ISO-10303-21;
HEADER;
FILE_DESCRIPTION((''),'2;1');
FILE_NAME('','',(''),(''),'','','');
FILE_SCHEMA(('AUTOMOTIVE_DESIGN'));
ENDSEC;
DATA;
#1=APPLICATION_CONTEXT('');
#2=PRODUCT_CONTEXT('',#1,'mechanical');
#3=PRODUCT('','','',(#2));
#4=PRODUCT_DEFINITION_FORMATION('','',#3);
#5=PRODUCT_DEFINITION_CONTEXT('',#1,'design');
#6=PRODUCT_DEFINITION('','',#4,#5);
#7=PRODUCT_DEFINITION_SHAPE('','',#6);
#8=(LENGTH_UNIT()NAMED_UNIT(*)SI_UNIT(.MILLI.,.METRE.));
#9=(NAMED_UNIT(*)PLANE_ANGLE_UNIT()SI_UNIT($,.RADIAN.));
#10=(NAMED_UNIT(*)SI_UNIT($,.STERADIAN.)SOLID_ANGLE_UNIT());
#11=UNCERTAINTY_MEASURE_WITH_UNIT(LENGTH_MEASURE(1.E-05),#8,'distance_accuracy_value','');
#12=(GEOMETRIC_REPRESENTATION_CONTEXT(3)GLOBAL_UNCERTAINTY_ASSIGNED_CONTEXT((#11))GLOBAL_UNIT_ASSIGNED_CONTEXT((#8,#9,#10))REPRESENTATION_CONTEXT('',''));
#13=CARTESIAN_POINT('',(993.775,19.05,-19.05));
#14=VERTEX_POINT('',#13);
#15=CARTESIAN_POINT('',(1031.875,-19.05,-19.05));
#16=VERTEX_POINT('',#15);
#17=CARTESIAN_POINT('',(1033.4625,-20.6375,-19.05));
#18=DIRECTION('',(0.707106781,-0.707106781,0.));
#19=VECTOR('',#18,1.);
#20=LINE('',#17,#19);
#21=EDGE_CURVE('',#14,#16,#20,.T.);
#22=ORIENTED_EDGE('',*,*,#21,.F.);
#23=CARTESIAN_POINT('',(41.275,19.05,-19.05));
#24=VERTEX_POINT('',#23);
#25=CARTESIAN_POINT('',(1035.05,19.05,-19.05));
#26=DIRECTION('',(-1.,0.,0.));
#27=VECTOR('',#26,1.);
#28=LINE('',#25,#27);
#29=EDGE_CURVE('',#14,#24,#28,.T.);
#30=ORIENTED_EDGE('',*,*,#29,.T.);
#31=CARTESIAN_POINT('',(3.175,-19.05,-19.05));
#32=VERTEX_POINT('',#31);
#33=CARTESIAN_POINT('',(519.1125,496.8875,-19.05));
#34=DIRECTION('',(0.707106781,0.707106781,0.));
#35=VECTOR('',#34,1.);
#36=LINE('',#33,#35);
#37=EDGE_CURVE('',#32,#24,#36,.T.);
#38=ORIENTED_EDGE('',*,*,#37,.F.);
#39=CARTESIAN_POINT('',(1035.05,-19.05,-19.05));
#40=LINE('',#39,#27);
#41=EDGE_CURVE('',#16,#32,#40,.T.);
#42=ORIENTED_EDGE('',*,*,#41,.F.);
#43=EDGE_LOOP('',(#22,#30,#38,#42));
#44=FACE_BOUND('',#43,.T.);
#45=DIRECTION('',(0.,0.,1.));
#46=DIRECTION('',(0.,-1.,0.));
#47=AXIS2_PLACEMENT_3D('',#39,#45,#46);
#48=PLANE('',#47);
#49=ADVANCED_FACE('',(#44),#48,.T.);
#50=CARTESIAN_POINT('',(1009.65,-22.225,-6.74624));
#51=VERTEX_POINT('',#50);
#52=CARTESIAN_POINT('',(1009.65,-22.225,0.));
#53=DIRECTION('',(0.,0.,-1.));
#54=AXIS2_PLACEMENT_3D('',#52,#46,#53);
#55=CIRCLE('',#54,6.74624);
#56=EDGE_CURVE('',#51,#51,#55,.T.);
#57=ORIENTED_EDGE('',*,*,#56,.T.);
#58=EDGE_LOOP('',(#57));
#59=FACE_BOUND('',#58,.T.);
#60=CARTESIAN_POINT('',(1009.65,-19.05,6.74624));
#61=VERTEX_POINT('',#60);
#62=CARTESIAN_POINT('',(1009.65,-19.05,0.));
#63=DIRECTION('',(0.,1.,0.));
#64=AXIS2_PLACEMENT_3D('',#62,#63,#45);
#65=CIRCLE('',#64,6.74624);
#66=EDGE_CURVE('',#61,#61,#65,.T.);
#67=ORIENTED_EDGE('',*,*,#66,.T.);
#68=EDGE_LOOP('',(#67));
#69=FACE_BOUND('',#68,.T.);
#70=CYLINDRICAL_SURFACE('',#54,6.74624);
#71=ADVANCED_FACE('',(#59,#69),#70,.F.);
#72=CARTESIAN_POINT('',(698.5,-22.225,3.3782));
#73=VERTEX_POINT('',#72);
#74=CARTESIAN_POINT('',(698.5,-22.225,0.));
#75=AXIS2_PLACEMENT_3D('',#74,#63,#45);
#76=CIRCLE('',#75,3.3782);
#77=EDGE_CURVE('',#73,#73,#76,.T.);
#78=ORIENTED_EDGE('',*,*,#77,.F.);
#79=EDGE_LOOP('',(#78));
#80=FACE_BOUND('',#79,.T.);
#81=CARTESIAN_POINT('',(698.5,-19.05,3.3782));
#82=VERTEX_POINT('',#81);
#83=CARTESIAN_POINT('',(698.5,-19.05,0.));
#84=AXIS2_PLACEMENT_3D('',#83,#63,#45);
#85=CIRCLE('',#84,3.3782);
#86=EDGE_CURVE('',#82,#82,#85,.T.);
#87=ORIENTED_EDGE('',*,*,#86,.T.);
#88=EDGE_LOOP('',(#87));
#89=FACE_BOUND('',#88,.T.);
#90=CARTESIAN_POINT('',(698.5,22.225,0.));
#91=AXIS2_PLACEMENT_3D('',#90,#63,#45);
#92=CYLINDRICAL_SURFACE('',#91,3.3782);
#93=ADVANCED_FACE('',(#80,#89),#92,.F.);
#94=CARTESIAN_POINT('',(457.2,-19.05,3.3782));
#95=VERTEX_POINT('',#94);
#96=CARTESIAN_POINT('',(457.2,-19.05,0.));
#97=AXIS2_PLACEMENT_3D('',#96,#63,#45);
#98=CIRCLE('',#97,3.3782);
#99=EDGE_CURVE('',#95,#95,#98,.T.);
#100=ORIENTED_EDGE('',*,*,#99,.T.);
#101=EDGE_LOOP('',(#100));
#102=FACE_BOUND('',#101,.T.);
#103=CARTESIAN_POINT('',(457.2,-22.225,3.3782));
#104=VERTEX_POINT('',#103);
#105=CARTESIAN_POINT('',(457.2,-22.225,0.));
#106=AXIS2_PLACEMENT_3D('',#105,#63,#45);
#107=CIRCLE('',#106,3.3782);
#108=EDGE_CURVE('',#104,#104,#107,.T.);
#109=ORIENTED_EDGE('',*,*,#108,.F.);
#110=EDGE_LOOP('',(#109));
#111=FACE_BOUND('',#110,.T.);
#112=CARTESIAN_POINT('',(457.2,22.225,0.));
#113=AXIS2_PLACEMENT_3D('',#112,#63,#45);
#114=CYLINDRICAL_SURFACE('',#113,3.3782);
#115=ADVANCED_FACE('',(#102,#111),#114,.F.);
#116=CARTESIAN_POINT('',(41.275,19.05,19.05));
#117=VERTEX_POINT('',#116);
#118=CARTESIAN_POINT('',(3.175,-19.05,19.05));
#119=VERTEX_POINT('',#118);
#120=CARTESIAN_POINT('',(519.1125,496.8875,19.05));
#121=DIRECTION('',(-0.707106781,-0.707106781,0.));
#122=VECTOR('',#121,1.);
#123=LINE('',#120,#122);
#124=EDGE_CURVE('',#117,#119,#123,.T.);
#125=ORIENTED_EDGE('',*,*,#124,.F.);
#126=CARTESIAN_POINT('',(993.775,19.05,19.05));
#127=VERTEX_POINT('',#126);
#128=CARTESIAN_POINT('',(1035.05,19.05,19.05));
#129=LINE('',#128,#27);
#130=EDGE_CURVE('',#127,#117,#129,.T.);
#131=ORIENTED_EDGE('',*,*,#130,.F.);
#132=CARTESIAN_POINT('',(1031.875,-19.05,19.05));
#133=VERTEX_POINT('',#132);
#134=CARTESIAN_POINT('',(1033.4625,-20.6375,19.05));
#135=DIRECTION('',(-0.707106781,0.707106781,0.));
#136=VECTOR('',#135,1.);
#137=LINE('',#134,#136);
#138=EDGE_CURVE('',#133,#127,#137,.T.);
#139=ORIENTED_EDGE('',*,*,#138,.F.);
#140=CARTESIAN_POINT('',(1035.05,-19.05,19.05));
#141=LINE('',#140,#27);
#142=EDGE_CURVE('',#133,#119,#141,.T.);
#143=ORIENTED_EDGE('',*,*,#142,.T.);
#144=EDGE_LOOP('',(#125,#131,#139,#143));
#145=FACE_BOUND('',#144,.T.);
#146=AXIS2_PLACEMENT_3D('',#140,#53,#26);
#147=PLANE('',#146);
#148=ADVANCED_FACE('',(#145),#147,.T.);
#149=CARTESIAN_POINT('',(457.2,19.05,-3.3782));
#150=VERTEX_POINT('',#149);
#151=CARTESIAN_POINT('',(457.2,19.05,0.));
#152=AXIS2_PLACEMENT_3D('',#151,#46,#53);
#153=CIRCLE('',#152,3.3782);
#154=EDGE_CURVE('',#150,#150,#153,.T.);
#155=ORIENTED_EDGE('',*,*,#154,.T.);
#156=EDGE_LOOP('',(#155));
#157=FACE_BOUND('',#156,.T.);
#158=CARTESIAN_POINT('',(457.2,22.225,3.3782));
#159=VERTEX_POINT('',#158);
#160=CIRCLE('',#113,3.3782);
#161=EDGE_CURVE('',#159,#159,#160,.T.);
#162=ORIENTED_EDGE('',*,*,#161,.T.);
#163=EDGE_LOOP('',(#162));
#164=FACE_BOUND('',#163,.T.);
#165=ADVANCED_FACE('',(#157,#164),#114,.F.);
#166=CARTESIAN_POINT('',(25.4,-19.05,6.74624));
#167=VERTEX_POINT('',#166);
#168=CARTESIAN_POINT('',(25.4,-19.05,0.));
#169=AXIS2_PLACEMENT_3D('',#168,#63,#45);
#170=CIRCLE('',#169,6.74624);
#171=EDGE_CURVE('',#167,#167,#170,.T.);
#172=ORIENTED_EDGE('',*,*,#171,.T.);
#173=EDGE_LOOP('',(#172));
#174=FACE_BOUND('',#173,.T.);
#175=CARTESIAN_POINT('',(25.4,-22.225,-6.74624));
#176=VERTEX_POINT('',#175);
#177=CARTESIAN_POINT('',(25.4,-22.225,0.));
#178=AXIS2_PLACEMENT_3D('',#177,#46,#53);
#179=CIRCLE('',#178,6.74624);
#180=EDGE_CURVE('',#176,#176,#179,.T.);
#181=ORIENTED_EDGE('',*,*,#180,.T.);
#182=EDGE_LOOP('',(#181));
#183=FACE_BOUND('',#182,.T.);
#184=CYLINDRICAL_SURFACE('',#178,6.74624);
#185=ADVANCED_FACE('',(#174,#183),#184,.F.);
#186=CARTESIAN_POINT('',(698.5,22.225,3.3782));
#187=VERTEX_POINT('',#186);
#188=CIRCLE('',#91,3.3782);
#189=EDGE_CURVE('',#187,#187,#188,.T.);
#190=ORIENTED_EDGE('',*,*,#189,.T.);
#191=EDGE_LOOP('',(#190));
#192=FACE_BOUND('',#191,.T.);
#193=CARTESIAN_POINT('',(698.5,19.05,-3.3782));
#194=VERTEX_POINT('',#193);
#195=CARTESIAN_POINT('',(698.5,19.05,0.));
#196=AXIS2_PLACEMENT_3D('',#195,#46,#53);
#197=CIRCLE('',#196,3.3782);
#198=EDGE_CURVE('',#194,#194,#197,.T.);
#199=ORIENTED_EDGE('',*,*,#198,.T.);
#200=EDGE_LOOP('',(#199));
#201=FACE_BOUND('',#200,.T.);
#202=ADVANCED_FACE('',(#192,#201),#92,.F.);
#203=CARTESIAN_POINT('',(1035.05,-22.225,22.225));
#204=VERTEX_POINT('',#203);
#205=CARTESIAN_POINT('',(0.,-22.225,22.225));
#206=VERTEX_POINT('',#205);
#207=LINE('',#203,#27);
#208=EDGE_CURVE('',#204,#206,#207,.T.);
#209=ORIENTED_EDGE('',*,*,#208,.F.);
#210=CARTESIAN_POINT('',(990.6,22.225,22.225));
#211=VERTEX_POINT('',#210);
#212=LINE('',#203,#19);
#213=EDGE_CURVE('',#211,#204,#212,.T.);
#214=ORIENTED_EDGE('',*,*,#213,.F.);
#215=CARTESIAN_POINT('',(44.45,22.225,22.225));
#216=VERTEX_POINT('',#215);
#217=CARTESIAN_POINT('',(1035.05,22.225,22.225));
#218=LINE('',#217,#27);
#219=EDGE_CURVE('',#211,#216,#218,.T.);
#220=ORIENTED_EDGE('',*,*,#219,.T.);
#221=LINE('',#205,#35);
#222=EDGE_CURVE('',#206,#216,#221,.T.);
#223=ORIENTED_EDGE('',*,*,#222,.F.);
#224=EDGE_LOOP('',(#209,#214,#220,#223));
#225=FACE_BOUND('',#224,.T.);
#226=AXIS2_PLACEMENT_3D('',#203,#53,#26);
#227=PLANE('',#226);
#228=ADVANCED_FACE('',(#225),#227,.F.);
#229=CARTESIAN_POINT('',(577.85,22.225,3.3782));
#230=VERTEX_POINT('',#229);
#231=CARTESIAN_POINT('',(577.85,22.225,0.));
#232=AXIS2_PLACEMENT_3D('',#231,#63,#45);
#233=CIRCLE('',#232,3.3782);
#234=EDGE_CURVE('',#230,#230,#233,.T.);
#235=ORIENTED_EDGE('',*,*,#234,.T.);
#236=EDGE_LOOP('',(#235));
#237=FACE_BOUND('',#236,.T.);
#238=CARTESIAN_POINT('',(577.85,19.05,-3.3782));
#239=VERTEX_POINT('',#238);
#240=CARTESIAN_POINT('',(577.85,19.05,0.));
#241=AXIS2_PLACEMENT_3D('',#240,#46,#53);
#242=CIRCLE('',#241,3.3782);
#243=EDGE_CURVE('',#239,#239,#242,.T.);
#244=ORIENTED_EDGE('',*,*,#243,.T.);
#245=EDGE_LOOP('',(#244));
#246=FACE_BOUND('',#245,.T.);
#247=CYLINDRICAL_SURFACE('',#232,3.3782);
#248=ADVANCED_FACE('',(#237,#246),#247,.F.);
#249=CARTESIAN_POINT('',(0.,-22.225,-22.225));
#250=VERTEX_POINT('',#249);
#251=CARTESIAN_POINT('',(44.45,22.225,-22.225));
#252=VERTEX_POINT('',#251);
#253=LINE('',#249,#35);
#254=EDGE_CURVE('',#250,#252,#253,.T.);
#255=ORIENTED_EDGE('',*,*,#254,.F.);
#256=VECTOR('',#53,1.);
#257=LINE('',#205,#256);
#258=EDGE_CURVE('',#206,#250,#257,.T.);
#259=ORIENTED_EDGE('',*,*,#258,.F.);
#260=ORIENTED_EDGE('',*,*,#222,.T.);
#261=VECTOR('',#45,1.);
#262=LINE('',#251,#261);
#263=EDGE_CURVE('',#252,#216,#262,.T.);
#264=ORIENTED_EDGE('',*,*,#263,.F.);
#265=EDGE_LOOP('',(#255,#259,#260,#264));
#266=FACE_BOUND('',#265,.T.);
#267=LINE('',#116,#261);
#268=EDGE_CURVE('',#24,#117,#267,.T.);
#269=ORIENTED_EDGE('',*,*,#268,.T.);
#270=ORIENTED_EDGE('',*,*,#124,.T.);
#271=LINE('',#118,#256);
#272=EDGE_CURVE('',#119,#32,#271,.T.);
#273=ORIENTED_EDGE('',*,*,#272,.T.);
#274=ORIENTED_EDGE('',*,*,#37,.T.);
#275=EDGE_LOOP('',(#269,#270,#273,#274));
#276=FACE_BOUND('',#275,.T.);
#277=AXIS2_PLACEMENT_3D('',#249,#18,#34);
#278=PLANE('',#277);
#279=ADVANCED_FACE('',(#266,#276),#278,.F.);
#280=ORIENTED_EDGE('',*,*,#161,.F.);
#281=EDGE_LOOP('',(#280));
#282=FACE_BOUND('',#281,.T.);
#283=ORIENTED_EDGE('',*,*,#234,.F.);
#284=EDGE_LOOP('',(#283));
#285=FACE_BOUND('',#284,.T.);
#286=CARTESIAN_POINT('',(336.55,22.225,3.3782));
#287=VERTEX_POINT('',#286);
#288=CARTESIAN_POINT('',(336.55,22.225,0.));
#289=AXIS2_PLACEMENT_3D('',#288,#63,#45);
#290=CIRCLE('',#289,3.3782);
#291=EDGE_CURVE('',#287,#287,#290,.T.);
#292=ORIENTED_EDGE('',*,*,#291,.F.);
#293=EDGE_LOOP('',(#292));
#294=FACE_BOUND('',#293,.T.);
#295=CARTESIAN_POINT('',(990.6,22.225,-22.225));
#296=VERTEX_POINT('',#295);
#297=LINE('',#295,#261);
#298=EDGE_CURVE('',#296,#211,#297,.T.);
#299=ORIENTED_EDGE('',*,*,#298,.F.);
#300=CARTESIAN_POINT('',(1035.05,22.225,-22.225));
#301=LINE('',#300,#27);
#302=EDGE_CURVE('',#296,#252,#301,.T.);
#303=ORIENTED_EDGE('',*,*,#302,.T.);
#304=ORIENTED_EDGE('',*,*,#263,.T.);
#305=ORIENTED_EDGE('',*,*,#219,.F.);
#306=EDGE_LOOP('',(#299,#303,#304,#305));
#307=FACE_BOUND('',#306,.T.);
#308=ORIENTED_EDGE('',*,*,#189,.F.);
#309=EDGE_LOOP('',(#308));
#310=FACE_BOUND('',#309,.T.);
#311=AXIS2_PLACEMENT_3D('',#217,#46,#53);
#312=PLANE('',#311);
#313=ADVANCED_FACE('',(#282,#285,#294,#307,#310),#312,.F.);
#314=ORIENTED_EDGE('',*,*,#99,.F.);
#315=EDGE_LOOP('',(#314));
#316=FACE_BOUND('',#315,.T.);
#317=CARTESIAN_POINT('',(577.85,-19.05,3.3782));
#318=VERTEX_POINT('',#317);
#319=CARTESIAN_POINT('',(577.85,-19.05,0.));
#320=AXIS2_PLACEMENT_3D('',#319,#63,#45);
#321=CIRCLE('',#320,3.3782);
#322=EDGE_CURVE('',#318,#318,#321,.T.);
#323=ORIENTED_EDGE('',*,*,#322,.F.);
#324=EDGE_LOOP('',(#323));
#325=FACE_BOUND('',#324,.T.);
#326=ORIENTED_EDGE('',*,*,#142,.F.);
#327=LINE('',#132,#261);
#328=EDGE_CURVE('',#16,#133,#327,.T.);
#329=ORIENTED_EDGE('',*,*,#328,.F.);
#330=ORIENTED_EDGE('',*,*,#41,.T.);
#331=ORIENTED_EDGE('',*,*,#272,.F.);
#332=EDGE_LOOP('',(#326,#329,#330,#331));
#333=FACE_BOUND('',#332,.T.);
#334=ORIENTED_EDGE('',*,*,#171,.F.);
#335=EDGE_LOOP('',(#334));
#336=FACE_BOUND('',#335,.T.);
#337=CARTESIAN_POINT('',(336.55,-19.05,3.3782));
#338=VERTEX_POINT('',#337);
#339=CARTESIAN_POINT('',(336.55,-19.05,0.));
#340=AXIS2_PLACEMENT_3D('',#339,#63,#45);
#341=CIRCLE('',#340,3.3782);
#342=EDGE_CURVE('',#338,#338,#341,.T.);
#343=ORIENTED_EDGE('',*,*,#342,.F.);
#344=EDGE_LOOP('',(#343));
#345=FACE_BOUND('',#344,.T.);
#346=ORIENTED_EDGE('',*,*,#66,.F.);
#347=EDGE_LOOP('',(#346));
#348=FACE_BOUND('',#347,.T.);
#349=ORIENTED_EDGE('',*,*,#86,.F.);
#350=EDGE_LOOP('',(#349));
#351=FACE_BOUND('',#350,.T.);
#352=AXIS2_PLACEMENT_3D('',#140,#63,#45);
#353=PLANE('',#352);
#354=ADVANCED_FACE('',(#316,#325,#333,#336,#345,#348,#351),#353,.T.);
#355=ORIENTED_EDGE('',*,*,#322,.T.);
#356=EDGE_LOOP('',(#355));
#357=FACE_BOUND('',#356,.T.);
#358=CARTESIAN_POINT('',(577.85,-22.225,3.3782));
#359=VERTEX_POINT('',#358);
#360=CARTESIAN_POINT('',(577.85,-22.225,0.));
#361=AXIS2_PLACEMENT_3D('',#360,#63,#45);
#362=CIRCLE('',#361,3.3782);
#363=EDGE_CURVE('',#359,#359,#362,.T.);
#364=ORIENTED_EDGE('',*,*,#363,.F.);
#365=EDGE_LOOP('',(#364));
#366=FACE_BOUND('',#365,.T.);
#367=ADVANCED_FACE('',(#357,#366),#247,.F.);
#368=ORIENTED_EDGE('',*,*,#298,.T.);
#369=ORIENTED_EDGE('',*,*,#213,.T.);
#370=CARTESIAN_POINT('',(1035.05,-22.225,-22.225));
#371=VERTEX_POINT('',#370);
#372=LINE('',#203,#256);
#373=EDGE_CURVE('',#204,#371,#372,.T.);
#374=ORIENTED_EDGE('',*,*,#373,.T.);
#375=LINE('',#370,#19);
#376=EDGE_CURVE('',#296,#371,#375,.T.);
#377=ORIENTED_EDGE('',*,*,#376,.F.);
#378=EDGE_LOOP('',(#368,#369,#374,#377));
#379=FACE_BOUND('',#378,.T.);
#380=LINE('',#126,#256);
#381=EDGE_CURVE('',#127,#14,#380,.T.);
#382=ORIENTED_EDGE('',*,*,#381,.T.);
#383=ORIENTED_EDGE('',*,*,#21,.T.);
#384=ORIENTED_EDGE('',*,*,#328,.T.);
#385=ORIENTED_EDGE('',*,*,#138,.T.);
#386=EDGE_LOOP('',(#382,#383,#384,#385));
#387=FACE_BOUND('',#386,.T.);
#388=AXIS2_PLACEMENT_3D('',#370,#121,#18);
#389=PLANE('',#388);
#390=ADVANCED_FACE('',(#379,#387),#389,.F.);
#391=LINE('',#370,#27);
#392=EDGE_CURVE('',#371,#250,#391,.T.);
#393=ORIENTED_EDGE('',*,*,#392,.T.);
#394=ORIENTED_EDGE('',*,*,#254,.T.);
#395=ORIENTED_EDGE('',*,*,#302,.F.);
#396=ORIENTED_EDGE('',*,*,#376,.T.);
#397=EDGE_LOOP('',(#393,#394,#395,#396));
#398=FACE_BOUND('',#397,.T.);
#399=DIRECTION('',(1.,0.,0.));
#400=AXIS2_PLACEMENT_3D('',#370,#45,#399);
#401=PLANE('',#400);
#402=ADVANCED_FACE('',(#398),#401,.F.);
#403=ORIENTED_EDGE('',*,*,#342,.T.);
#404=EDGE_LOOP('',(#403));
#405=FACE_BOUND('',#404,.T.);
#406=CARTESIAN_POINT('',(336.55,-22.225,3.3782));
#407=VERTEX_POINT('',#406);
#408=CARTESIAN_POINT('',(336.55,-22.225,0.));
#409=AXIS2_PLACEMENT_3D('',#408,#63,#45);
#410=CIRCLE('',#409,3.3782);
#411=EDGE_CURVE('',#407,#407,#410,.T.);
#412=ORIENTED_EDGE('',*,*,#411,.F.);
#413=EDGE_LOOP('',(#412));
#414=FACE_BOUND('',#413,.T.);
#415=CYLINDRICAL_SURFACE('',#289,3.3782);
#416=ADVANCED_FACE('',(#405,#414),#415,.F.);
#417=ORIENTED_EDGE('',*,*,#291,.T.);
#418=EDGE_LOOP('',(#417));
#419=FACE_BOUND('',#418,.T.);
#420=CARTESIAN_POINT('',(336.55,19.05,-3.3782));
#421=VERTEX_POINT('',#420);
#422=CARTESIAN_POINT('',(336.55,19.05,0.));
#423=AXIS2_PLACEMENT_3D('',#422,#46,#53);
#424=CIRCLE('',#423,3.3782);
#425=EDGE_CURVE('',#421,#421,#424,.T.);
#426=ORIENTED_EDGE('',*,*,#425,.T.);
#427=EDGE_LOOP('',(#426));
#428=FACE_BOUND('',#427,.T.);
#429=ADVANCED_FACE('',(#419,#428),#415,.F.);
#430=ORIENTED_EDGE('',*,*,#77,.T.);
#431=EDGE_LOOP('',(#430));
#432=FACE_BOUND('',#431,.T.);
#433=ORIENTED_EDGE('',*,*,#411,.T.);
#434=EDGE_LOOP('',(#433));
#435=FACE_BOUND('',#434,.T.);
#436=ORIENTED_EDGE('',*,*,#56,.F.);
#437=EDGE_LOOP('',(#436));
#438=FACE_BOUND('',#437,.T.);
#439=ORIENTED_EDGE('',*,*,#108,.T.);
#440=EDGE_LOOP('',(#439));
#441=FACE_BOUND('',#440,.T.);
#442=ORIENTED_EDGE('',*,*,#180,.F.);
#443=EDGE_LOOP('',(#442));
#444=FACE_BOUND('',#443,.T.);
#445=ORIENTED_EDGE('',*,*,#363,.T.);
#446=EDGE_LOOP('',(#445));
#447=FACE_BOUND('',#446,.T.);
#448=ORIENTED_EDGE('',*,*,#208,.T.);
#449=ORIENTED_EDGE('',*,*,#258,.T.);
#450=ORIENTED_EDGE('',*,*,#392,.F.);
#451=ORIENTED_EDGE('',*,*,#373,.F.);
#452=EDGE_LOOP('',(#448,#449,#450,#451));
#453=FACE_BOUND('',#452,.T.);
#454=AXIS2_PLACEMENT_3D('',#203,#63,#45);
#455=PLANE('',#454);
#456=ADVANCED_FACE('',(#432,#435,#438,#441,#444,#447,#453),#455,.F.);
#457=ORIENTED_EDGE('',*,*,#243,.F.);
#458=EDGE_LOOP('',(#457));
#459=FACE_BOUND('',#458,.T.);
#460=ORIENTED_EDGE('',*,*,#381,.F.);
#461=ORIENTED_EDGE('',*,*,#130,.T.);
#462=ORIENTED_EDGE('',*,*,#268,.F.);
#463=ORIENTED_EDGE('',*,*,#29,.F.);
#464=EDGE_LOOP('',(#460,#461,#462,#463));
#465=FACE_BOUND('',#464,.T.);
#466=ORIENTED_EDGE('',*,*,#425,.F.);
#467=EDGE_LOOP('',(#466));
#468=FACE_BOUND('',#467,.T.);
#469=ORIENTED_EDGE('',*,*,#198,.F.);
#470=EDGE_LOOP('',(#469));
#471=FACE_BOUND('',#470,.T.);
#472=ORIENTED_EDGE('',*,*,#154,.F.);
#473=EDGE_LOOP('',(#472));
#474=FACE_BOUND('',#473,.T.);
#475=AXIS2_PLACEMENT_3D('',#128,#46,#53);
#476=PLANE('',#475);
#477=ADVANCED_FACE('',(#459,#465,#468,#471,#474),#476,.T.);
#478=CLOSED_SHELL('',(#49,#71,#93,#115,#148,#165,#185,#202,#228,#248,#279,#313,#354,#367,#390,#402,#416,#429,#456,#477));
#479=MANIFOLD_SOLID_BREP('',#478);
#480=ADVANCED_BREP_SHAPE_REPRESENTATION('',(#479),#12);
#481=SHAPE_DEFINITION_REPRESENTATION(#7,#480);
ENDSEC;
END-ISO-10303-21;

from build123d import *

# Parameters (mm, degrees)
SKETCH1_W               = 44.45
SKETCH1_H               = 44.45
SKETCH1_W_2             = 38.1
SKETCH1_H_2             = 38.1
BOSS_EXTRUDE1_DEPTH     = 1035.05
CUT_EXTRUDE1_DEPTH      = 1037.242373012
F_1_2_CLEARANCE_HOLE1_D = 13.49248
F_1_4_CLEARANCE_HOLE1_D = 6.7564


with BuildPart() as part:
    # Sketch1 → Boss-Extrude1 (new body)
    with BuildSketch(Plane(origin=(0, 0, 0), x_dir=(0, 0, -1), z_dir=(1, 0, 0))):
        Rectangle(SKETCH1_W, SKETCH1_H)
        Rectangle(SKETCH1_W_2, SKETCH1_H_2, mode=Mode.SUBTRACT)
    extrude(amount=BOSS_EXTRUDE1_DEPTH)

    # Sketch2 → Cut-Extrude1 (cut, through all)
    with BuildSketch(Plane.XY.offset(22.225)):
        Polygon((0, 22.225), (0, -22.225), (44.45, 22.225), align=None)
        Polygon((990.6, 22.225), (1035.05, 22.225), (1035.05, -22.225), align=None)
    extrude(amount=-CUT_EXTRUDE1_DEPTH, mode=Mode.SUBTRACT)

    # 1/2 Clearance Hole1 (through all)
    with Locations(Plane(origin=(0, -22.225, 0), x_dir=(-1, 0, 0), z_dir=(0, -1, 0))):
        with Locations((-25.4, 0), (-1009.65, 0)):
            Hole(F_1_2_CLEARANCE_HOLE1_D / 2)

    # 1/4 Clearance Hole1 (through all)
    with Locations(Plane(origin=(0, 22.225, 0), x_dir=(1, 0, 0), z_dir=(0, 1, 0))):
        with Locations((336.55, 0), (457.2, 0), (577.85, 0), (698.5, 0)):
            Hole(F_1_4_CLEARANCE_HOLE1_D / 2)


solid = part.part
